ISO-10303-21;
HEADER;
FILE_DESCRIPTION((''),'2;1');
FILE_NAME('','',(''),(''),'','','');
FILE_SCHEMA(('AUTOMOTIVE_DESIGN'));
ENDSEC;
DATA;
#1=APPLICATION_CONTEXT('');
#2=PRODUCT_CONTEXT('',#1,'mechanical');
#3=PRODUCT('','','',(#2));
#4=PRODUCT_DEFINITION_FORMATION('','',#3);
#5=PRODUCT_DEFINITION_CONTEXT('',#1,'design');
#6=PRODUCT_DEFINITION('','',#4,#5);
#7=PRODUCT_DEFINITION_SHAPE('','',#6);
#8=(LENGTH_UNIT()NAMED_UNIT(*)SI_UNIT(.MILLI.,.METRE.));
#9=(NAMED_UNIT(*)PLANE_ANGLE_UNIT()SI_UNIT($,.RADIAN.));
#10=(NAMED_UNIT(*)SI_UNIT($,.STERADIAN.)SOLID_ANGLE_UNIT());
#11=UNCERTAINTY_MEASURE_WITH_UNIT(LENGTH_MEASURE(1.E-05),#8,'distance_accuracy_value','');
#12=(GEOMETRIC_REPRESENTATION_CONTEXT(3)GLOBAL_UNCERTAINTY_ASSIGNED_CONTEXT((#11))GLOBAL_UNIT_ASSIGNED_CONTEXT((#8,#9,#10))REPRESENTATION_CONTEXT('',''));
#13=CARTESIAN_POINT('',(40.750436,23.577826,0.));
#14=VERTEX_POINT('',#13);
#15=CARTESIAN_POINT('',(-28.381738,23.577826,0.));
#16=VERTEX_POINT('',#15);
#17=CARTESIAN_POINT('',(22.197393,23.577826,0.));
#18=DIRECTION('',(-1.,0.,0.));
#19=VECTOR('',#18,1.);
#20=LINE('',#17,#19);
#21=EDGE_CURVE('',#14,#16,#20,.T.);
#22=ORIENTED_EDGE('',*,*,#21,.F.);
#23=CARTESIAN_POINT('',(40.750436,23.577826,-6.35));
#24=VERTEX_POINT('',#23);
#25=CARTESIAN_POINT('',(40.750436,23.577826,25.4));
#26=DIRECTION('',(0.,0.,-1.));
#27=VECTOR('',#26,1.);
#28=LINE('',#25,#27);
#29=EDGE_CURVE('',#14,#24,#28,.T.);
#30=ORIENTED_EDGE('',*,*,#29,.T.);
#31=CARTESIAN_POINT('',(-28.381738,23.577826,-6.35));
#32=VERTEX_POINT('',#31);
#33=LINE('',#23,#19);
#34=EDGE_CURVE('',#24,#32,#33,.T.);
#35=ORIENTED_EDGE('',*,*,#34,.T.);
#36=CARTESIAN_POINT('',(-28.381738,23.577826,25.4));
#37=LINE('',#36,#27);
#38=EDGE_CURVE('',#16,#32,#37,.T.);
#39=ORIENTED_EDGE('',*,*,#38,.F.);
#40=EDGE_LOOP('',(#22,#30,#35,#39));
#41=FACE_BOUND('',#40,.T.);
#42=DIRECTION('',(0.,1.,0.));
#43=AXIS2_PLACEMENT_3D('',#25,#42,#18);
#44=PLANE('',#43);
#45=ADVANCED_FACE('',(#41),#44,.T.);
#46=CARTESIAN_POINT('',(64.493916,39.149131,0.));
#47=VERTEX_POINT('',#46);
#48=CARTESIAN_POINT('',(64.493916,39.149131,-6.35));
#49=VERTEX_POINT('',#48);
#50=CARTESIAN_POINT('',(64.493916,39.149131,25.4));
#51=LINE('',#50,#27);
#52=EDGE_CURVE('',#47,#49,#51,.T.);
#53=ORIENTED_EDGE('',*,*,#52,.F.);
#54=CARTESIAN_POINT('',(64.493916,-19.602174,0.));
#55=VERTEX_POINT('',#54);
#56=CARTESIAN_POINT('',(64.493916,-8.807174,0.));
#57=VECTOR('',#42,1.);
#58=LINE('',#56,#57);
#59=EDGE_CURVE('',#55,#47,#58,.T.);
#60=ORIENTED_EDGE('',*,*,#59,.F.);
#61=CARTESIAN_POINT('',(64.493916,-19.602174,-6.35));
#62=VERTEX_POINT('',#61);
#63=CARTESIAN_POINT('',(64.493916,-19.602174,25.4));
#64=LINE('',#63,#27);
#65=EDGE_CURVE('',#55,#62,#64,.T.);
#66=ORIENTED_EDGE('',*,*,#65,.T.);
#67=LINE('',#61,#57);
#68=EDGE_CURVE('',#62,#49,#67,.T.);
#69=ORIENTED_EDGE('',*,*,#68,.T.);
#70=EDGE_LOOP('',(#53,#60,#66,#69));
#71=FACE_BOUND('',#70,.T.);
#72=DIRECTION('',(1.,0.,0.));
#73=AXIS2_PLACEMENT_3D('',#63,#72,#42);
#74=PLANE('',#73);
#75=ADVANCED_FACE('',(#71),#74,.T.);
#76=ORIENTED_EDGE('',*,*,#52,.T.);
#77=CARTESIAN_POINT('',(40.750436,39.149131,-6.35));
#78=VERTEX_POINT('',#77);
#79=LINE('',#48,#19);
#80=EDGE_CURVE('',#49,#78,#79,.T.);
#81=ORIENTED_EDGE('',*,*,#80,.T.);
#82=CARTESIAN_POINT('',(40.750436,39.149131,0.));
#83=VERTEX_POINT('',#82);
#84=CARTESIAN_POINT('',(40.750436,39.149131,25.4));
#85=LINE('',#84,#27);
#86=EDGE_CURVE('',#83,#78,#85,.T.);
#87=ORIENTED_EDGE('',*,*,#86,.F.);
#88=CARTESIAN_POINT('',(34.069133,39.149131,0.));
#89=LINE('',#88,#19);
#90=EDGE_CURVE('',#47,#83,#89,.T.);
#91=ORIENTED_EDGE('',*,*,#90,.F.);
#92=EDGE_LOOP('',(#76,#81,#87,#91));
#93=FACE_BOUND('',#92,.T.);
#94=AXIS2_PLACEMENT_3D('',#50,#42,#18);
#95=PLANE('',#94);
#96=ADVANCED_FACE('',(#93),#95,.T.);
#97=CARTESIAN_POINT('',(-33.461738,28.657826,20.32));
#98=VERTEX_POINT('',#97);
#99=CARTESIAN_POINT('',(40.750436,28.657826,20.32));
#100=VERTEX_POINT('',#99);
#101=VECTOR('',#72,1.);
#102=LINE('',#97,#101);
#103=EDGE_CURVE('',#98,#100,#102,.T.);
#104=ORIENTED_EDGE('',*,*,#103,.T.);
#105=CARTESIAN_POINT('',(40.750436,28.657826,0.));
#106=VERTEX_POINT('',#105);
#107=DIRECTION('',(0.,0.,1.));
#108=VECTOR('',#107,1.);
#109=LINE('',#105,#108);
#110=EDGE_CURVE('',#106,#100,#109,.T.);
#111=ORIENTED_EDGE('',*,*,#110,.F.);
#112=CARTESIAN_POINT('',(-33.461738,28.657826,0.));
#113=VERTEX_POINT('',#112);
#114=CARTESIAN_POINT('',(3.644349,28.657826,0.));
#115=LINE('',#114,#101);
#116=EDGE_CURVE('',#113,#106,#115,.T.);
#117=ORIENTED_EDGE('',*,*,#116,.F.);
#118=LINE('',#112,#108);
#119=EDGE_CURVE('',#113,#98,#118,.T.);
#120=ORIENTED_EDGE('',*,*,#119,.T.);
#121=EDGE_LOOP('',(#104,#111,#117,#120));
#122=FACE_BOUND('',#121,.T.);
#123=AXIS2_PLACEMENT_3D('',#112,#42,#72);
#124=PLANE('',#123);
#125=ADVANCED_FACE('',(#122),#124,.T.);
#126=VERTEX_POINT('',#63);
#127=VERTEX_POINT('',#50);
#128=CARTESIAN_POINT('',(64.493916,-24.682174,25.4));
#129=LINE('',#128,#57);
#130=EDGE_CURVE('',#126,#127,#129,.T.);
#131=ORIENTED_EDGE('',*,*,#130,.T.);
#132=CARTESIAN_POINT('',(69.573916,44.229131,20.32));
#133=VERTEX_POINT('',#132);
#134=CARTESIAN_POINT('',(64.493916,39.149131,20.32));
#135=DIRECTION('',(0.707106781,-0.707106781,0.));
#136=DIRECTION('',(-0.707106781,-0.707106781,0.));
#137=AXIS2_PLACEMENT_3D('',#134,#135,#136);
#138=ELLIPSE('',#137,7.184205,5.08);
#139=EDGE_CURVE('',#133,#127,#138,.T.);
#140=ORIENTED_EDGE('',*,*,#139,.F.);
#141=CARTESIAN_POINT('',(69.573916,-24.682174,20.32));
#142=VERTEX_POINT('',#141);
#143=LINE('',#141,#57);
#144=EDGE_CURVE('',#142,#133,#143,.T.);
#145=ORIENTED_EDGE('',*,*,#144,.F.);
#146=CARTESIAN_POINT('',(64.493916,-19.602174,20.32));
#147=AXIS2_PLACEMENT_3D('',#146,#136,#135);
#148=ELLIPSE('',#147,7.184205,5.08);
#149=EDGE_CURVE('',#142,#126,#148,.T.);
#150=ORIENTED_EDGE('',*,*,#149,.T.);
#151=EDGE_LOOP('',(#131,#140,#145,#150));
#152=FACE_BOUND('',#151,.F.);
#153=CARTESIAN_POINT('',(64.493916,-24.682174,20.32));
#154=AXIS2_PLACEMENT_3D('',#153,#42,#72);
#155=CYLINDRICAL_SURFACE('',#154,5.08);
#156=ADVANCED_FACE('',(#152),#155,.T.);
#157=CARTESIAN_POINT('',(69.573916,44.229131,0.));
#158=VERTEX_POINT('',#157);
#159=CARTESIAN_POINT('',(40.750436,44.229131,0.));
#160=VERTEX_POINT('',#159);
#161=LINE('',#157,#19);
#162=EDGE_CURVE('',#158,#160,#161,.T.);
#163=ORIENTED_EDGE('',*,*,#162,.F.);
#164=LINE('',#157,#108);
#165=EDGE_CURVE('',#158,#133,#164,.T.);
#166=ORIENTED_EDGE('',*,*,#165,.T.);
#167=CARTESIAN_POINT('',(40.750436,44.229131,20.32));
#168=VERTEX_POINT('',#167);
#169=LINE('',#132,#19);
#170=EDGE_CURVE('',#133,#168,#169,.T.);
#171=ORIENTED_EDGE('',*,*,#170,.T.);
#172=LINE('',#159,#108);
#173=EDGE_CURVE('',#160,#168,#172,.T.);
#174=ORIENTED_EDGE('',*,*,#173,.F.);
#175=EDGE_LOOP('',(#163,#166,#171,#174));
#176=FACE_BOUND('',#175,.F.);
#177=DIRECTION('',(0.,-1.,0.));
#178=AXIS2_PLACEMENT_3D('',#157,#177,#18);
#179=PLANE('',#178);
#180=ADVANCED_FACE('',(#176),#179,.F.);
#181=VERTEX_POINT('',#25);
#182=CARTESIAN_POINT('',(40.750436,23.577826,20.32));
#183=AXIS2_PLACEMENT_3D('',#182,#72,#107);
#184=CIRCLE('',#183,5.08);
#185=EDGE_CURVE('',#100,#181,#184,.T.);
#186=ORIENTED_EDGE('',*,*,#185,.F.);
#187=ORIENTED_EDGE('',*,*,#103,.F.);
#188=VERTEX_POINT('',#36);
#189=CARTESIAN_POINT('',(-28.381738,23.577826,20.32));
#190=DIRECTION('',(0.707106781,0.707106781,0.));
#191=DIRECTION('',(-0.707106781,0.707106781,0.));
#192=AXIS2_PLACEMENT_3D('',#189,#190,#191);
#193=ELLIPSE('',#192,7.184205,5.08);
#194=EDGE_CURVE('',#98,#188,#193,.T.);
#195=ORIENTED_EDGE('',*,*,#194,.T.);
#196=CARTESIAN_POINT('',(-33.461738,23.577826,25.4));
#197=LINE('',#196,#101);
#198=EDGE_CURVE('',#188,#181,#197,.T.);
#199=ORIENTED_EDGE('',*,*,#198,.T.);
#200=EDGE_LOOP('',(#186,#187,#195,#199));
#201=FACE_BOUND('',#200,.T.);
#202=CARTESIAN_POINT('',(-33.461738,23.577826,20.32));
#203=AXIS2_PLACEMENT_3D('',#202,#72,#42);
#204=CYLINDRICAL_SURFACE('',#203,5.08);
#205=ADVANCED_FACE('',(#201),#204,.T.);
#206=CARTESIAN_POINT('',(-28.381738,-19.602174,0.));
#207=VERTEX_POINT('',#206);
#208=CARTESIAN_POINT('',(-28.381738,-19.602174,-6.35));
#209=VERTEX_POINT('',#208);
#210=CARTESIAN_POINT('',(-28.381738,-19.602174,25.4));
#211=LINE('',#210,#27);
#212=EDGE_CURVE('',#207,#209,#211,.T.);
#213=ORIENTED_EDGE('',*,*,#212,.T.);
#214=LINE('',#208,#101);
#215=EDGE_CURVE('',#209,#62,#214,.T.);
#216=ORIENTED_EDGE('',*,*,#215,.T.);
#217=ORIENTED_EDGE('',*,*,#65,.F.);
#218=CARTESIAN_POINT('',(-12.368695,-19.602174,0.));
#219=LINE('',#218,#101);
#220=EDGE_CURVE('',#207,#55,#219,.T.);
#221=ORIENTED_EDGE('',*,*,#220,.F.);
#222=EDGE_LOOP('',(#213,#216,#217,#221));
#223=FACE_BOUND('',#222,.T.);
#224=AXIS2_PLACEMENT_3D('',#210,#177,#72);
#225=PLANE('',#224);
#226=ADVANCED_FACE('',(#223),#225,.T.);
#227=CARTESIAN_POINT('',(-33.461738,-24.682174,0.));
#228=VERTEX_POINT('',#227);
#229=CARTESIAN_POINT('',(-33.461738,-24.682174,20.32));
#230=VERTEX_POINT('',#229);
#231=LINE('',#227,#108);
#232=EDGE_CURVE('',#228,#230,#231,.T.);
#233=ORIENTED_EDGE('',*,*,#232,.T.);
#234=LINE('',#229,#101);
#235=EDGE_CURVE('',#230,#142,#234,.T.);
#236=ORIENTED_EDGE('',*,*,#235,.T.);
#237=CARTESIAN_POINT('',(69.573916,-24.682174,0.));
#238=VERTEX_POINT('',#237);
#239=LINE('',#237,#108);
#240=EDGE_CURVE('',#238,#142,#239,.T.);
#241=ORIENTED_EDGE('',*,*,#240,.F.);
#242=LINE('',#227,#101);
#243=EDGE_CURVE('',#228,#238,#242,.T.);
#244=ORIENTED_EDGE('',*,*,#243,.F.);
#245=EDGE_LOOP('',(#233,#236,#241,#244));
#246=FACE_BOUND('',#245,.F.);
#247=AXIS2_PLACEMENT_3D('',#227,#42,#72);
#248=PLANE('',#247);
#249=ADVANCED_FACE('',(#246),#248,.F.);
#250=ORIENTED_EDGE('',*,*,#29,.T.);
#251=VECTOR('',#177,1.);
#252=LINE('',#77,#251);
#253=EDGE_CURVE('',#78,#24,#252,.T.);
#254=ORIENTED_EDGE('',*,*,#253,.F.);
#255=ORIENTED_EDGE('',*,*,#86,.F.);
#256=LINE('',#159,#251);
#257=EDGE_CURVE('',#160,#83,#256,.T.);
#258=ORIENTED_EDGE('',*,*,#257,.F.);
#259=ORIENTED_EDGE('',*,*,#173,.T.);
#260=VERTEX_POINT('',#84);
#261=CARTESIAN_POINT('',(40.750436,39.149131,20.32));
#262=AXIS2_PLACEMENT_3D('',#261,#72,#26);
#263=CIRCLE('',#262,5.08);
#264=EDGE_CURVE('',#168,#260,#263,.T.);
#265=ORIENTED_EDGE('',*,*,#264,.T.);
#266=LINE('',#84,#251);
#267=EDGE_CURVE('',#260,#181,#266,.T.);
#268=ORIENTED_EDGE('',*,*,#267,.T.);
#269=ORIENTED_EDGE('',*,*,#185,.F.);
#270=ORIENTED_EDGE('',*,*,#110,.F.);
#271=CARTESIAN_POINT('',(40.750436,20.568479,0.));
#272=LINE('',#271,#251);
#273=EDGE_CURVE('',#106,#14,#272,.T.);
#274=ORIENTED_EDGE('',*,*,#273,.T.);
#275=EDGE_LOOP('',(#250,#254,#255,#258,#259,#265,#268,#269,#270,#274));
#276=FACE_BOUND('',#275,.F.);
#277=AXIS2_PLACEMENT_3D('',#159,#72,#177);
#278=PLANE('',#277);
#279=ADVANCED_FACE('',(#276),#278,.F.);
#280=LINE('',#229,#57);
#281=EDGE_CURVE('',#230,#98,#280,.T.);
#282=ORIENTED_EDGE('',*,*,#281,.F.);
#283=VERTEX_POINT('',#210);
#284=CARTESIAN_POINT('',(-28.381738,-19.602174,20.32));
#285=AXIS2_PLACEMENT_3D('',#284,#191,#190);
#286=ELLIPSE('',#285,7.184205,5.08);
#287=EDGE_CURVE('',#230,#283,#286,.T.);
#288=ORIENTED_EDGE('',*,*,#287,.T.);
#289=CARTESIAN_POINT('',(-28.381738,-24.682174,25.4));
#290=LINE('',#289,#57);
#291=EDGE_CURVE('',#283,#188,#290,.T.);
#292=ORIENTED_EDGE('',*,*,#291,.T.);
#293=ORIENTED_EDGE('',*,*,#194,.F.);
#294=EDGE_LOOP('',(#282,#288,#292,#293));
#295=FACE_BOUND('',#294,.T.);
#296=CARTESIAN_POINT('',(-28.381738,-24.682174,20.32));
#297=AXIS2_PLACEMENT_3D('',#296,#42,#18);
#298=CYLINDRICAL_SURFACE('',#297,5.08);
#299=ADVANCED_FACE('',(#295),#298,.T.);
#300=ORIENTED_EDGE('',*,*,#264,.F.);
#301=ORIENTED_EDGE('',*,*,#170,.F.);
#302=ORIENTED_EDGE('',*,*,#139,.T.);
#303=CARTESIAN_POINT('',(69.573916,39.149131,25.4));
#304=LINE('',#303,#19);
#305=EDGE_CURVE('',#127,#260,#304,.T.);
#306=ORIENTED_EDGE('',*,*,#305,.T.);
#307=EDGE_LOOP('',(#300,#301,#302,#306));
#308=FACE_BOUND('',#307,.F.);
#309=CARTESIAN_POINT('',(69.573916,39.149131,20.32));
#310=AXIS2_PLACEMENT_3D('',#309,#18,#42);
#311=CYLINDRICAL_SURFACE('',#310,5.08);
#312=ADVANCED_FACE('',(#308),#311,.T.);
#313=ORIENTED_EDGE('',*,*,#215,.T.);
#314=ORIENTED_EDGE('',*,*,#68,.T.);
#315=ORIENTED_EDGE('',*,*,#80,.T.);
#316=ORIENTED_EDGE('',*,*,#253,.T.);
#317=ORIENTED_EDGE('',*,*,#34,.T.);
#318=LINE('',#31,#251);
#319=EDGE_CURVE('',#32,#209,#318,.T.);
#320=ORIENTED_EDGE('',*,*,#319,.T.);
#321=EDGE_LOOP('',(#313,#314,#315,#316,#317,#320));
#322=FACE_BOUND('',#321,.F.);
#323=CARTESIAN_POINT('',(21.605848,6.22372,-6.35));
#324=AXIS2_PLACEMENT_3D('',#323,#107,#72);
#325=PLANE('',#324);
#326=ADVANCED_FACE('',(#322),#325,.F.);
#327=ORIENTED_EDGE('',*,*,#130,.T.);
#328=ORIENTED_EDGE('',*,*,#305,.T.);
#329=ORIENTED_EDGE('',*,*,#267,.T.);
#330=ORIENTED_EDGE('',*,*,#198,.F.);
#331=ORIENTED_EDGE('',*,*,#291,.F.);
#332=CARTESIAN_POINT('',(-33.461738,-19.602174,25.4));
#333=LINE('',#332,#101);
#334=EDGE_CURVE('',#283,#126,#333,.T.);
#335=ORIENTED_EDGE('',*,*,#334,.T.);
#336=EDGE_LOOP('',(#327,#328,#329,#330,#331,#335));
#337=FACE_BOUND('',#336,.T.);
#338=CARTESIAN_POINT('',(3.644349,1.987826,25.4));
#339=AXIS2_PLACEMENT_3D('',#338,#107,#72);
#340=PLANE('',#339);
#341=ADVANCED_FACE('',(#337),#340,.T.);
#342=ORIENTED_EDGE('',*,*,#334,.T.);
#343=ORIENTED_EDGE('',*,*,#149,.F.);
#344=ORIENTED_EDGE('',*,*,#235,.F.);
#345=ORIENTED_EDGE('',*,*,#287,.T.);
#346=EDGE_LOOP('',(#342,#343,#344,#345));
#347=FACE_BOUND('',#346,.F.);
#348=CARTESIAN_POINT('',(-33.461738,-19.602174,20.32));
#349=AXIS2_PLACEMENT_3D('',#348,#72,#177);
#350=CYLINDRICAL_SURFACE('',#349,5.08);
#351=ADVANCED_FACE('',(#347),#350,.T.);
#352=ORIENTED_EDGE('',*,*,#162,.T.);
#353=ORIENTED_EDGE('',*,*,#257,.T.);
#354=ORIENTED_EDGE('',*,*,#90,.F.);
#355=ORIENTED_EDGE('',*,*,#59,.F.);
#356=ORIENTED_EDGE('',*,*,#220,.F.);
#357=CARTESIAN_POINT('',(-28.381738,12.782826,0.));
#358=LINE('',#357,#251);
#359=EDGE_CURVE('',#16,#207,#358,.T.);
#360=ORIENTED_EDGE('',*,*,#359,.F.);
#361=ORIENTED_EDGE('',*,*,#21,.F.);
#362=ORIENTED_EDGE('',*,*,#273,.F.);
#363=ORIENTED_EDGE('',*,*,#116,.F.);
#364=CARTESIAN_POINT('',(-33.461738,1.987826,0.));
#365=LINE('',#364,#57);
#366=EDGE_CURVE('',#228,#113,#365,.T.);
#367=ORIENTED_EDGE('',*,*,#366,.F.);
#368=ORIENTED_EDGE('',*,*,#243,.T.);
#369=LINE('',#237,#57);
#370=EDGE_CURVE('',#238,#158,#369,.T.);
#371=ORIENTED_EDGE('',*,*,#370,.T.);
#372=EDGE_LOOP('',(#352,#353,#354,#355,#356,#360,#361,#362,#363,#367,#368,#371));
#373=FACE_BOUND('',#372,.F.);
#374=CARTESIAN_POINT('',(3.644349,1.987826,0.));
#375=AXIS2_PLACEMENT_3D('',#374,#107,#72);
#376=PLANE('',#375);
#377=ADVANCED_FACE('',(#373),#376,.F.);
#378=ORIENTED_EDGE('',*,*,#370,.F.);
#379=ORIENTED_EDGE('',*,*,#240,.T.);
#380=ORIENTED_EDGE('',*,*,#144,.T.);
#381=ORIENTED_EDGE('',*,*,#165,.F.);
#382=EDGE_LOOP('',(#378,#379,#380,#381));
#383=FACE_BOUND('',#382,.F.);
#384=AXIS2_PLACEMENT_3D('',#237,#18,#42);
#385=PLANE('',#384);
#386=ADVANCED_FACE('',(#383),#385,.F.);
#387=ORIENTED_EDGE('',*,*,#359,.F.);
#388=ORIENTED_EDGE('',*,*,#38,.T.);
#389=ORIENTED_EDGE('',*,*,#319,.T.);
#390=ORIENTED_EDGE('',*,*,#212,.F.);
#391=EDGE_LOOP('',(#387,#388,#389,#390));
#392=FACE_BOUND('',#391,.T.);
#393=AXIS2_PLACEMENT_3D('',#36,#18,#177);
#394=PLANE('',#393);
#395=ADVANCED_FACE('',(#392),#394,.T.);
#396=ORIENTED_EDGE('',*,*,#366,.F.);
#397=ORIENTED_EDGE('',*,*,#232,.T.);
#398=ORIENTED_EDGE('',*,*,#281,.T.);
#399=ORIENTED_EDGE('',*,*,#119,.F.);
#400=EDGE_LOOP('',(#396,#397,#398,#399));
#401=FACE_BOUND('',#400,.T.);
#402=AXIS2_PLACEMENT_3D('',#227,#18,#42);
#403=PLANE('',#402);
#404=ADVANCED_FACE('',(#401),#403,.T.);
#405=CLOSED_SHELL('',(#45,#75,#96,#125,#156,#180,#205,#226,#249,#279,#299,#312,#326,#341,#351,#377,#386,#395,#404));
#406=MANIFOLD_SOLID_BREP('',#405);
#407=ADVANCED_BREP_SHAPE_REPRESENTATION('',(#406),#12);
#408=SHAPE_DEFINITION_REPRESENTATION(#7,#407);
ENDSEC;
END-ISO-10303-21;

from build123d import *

# Parameters (mm, degrees)
F0_W     = 74.2121748626
F0_H     = 53.3399991691
F1_DEPTH = 25.4
F2_R     = 5.08
F3_R     = 13.6810571513
F4_DEPTH = 31.75


with BuildPart() as f1:
    # F0 (on Top) → F1 (new body)
    with BuildSketch(Plane.XY):
        with Locations((3.6443490535, 1.9878260791)):
            Rectangle(F0_W, F0_H)
        Polygon((40.7504364848, 44.229131192), (40.7504364848, 28.6578256637), (40.7504364848, -24.6821735054), (69.5739164948, -24.6821735054), (69.5739164948, 44.229131192), align=None)
    extrude(amount=F1_DEPTH)

    # F2
    f2_edges = [f1.edges().sort_by_distance(p)[0] for p in [
        (-33.461738, 1.987826, 25.4),
        (3.644349, 28.657826, 25.4),
        (55.162176, 44.229131, 25.4),
        (18.056089, -24.682174, 25.4),
        (69.573916, 9.773479, 25.4),
    ]]
    fillet(f2_edges, radius=F2_R)

    # F3 (on face) → F4 (join)
    with BuildSketch(Plane.XY.offset(25.4)):
        Polygon((64.4939164948, 39.149131192), (40.7504364848, 39.149131192), (40.7504364848, 28.6578256637), (40.7504364848, 23.5778256637), (-28.3817383778, 23.5778256637), (-28.3817383778, -19.6021735054), (64.4939164948, -19.6021735054), align=None)
        with Locations((20.3587319702, 0)):
            Circle(F3_R, mode=Mode.SUBTRACT)
        with Locations((20.3587319702, 0)):
            Circle(F3_R)
    extrude(amount=-F4_DEPTH)


solid = f1.part
